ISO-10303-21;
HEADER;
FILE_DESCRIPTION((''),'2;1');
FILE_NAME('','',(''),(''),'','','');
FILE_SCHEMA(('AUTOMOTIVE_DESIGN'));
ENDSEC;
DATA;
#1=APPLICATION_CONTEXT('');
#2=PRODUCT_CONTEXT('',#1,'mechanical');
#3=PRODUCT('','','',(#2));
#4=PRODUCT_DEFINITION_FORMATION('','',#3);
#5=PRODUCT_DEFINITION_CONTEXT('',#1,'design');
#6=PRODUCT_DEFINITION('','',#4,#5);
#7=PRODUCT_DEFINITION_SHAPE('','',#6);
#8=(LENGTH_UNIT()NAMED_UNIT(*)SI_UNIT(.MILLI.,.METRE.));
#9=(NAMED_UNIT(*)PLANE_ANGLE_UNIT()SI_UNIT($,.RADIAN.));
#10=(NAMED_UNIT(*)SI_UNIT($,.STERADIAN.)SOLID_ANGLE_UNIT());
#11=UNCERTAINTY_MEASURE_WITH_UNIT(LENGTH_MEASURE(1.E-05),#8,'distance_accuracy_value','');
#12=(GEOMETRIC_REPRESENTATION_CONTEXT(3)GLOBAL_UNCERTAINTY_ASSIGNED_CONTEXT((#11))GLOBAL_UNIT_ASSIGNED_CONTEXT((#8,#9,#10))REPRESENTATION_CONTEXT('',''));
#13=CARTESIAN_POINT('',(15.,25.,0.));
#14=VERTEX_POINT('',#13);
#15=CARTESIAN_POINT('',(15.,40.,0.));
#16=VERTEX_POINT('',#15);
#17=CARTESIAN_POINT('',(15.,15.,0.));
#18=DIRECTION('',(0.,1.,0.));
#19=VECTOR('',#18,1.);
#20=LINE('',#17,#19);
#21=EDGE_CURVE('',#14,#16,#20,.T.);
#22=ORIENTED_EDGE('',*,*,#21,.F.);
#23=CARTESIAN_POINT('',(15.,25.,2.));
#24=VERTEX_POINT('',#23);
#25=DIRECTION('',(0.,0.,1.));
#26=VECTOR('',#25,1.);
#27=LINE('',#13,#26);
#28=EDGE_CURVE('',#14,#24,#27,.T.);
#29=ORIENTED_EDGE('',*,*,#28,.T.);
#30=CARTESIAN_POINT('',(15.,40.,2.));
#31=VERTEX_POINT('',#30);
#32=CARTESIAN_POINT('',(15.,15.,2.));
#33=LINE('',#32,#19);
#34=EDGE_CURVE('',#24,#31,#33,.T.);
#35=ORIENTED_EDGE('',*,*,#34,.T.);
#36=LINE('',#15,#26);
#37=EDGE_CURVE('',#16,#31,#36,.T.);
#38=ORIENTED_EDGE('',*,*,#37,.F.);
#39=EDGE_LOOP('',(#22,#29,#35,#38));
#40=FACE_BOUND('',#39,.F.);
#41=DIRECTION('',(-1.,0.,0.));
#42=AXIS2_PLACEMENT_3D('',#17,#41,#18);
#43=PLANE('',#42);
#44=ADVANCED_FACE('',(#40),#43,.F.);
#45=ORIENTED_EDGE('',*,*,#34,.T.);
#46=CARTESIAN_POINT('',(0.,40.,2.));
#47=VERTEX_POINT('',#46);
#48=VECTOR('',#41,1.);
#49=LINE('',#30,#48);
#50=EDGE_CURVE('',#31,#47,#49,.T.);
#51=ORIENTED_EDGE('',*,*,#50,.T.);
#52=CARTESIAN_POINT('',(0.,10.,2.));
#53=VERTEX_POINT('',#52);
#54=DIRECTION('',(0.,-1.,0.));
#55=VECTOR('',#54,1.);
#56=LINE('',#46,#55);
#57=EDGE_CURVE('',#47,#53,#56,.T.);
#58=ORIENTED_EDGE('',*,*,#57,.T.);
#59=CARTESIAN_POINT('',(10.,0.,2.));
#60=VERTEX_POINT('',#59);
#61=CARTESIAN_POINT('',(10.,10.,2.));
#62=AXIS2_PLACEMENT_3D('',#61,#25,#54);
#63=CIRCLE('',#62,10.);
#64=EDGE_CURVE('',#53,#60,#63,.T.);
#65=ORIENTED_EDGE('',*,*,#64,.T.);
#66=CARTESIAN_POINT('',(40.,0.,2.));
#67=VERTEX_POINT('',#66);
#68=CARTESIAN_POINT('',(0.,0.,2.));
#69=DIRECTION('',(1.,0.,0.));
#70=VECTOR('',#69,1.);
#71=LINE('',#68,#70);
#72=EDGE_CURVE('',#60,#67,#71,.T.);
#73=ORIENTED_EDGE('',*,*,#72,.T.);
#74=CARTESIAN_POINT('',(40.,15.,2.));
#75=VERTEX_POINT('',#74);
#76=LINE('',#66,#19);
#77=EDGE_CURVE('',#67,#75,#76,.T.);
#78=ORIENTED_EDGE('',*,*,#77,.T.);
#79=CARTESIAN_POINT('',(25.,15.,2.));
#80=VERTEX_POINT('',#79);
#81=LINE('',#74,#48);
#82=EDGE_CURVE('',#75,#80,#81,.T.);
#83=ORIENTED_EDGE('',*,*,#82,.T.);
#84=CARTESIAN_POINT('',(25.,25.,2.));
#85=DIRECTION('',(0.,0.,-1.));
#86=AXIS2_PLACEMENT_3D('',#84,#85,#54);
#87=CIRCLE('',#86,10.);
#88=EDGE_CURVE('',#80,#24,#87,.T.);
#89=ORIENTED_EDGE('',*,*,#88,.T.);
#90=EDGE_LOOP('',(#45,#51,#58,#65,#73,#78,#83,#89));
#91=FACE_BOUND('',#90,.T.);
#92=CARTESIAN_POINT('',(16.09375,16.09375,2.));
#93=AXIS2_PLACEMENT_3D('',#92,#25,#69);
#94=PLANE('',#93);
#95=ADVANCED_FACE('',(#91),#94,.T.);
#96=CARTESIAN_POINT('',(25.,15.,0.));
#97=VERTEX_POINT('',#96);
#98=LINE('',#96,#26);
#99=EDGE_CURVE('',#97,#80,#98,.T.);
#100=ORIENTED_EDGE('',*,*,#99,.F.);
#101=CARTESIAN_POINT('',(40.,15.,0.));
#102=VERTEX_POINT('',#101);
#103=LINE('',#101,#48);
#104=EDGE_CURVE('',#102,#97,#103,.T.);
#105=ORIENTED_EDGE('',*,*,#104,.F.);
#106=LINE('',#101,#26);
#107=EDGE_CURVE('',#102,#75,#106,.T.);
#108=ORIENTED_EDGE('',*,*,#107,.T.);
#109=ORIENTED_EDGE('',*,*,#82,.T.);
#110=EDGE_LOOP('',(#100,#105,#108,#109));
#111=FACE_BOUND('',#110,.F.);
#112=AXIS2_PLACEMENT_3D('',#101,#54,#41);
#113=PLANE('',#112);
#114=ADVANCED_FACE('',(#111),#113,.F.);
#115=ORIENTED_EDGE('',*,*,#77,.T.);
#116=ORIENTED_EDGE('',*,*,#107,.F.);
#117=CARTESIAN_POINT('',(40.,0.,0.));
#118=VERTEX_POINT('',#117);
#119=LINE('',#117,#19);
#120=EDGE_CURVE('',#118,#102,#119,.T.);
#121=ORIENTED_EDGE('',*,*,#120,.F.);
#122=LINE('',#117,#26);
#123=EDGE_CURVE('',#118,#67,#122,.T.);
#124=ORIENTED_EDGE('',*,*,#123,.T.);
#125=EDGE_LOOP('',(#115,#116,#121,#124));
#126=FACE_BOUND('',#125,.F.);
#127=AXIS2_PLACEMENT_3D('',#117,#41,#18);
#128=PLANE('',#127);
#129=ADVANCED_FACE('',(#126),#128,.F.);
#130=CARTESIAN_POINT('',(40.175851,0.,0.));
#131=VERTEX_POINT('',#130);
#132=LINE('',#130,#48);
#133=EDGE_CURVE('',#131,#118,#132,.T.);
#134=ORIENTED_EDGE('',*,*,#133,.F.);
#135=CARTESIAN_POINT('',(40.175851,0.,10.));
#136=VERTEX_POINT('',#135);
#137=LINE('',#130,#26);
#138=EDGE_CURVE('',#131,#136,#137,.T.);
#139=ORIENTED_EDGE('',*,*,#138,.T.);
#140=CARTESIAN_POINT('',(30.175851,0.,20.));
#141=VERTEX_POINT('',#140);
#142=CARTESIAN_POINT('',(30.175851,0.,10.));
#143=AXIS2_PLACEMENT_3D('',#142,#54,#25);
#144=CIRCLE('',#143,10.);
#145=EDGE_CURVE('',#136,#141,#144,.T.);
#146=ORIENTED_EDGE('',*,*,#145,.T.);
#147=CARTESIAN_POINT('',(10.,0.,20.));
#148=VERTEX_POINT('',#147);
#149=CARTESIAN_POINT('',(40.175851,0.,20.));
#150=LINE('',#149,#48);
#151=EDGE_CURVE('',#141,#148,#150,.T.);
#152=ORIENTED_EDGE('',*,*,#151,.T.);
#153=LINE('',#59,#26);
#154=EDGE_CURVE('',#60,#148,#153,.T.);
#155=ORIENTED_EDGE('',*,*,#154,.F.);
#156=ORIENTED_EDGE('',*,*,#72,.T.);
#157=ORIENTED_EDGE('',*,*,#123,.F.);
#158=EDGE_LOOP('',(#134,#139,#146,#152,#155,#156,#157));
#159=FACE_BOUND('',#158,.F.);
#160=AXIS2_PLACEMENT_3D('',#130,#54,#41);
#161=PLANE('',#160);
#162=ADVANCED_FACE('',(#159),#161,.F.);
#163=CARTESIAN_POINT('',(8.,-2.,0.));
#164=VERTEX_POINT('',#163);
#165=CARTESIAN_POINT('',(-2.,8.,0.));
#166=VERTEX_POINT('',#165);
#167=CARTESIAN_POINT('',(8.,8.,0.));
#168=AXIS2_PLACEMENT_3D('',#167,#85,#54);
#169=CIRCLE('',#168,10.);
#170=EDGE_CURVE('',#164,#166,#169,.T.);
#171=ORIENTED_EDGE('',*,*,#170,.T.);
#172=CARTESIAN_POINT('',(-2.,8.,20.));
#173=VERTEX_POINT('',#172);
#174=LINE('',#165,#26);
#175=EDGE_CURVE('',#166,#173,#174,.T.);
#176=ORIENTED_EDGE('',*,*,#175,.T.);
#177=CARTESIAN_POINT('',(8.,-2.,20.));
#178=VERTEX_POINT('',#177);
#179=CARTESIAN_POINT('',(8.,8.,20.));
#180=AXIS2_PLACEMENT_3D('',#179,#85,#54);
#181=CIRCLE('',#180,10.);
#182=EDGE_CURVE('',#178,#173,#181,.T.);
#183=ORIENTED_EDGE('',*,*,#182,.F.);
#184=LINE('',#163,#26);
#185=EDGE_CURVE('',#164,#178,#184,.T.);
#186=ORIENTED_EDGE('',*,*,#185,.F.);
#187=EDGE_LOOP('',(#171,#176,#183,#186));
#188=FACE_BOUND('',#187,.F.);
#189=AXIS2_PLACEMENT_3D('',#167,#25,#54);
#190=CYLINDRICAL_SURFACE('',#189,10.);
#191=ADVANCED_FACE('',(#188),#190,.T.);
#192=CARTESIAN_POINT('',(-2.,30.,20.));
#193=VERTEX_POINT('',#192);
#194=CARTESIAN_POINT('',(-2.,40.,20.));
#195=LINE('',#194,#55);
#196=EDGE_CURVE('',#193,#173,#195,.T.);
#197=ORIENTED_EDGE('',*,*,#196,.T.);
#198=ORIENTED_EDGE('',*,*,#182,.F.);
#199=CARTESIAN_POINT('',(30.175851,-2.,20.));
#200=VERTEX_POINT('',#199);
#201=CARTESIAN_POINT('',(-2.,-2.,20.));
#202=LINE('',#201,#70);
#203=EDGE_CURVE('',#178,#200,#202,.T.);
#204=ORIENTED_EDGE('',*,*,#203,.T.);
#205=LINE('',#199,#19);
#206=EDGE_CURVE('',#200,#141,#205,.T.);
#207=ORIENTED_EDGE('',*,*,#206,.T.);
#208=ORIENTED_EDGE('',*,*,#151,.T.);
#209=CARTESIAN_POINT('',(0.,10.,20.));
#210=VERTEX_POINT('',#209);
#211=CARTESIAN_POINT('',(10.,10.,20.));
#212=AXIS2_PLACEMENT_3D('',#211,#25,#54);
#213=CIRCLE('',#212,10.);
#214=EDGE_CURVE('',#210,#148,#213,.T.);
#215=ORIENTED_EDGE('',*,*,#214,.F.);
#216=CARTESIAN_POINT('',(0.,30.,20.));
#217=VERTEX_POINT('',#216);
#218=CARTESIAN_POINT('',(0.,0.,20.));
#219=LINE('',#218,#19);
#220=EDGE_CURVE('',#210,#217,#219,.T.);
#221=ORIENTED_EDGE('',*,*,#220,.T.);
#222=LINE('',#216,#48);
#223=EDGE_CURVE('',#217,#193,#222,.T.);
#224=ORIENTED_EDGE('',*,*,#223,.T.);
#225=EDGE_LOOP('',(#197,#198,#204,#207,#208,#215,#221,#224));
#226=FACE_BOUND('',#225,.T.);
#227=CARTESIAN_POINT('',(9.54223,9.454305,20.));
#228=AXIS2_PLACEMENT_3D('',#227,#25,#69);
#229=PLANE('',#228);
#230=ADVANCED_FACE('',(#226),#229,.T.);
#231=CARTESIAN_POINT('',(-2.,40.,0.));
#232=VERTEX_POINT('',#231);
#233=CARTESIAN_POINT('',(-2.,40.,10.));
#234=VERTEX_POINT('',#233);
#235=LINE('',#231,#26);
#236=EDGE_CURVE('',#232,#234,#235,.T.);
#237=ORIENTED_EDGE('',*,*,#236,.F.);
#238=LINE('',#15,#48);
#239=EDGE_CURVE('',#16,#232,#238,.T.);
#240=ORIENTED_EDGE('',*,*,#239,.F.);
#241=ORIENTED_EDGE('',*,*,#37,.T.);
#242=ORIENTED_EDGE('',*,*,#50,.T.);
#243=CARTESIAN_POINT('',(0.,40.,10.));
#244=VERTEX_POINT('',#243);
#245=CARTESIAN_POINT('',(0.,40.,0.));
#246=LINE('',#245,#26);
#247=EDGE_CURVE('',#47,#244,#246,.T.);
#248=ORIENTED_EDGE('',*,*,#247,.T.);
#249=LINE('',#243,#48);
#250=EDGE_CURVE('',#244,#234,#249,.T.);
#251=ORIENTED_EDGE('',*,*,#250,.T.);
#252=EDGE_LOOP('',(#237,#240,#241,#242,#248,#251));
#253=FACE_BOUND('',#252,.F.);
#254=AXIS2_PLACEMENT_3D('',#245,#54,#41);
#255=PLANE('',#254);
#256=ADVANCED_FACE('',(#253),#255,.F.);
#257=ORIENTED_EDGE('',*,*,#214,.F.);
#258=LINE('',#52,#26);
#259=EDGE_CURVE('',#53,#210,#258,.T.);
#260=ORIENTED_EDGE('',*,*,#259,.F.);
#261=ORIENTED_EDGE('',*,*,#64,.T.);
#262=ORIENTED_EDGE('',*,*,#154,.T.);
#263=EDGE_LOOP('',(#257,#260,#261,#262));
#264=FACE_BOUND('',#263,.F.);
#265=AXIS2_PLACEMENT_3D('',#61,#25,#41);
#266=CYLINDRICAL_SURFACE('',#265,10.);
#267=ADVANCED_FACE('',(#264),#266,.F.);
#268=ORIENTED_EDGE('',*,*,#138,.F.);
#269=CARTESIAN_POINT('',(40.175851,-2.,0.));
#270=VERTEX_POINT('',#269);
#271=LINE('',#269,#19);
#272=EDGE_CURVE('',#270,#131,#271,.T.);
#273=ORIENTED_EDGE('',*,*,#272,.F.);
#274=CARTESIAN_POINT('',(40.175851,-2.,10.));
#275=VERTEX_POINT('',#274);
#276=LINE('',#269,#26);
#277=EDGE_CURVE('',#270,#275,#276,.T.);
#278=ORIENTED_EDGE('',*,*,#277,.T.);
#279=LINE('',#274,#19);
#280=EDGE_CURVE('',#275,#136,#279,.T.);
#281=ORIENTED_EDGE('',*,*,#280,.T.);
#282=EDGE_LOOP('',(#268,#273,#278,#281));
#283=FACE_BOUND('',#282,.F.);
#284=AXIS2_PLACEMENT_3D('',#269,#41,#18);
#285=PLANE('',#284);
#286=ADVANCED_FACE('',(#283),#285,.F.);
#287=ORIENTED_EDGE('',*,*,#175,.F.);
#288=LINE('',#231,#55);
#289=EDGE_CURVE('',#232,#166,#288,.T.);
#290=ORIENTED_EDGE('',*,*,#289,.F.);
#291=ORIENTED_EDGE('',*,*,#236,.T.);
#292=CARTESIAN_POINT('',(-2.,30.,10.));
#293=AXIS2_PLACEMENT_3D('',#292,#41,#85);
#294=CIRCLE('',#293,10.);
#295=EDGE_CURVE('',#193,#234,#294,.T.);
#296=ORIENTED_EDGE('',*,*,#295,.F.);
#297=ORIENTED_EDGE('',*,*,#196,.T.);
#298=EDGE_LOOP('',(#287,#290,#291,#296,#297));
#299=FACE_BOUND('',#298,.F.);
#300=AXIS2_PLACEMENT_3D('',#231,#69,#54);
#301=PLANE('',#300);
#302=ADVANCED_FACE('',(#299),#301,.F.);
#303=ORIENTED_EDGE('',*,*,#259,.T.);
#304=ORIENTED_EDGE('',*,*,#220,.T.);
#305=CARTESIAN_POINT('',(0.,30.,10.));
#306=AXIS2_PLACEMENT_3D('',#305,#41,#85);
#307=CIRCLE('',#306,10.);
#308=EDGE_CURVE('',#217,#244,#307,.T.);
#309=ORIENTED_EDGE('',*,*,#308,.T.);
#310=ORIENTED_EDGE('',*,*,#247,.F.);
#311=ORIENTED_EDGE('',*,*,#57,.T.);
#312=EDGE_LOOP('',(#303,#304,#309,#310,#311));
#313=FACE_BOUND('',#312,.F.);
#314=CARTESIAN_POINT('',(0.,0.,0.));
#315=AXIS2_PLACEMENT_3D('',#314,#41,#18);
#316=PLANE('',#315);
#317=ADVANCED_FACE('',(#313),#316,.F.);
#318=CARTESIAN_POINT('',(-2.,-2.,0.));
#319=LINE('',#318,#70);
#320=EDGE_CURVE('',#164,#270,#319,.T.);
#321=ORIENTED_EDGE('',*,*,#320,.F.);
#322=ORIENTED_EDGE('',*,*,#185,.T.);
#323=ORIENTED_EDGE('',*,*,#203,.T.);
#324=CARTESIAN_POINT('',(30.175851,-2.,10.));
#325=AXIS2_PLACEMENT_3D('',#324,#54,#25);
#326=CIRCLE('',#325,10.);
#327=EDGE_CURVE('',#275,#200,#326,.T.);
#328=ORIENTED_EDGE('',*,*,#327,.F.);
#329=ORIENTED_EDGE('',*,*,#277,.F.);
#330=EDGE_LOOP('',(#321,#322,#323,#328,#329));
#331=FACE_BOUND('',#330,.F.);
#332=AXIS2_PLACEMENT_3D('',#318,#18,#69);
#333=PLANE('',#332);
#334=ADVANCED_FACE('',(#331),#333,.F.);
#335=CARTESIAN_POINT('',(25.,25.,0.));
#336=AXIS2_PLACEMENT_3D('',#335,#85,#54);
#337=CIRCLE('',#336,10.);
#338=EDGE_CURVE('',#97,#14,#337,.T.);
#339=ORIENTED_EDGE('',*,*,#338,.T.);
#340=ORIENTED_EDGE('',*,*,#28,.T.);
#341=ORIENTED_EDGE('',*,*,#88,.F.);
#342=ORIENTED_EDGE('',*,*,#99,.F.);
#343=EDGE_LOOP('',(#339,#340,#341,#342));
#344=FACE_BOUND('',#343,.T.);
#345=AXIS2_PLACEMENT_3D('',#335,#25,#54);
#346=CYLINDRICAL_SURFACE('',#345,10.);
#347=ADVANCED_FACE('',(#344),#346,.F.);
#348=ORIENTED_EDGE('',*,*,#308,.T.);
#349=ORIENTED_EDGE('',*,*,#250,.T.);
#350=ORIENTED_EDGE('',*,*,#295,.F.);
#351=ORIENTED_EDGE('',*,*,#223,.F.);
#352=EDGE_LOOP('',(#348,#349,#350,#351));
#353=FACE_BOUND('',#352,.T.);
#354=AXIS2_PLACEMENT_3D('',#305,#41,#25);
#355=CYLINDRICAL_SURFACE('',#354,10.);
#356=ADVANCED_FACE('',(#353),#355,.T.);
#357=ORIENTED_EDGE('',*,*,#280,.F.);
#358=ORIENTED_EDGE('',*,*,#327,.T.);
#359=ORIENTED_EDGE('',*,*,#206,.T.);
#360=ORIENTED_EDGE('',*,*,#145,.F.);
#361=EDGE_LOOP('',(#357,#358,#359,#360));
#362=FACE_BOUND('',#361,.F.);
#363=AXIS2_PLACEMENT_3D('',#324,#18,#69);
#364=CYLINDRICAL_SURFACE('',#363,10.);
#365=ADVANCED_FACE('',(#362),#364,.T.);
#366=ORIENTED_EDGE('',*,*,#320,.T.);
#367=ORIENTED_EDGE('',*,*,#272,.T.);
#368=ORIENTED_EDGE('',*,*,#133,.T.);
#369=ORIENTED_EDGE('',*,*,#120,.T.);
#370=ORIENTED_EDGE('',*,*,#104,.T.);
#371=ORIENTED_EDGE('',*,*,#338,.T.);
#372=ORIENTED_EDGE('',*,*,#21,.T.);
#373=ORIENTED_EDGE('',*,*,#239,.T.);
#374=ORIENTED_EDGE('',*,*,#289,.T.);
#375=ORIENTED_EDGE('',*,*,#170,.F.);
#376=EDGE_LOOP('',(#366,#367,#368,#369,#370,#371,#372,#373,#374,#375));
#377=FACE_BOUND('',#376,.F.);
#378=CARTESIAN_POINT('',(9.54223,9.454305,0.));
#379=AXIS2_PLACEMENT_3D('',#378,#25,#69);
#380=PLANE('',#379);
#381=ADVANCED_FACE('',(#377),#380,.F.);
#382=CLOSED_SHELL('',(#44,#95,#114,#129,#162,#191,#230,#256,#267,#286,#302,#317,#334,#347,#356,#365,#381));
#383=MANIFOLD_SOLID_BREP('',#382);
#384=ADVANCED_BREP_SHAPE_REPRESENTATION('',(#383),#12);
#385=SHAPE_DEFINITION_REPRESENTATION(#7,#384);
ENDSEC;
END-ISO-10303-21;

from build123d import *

# Parameters (mm, degrees)
F1_DEPTH = 2
F3_DEPTH = 20
F4_R     = 10


with BuildPart() as f1:
    # F0 (on Top) → F1 (new body)
    with BuildSketch(Plane.XY):
        Polygon((15, 40), (0, 40), (0, 0), (40, 0), (40, 15), (15, 15), align=None)
    extrude(amount=F1_DEPTH)

    # F2 (on Top) → F3 (join)
    with BuildSketch(Plane.XY):
        Polygon((0, 0), (0, 40), (-2, 40), (-2, -2), (40.175851, -2), (40.175851, 0), align=None)
    extrude(amount=F3_DEPTH)

    # F4
    f4_edges = [f1.edges().sort_by_distance(p)[0] for p in [
        (0, 0, 11),
        (15, 15, 1),
        (-2, -2, 10),
        (-1, 40, 20),
        (40.175851, -1, 20),
    ]]
    fillet(f4_edges, radius=F4_R)


solid = f1.part
